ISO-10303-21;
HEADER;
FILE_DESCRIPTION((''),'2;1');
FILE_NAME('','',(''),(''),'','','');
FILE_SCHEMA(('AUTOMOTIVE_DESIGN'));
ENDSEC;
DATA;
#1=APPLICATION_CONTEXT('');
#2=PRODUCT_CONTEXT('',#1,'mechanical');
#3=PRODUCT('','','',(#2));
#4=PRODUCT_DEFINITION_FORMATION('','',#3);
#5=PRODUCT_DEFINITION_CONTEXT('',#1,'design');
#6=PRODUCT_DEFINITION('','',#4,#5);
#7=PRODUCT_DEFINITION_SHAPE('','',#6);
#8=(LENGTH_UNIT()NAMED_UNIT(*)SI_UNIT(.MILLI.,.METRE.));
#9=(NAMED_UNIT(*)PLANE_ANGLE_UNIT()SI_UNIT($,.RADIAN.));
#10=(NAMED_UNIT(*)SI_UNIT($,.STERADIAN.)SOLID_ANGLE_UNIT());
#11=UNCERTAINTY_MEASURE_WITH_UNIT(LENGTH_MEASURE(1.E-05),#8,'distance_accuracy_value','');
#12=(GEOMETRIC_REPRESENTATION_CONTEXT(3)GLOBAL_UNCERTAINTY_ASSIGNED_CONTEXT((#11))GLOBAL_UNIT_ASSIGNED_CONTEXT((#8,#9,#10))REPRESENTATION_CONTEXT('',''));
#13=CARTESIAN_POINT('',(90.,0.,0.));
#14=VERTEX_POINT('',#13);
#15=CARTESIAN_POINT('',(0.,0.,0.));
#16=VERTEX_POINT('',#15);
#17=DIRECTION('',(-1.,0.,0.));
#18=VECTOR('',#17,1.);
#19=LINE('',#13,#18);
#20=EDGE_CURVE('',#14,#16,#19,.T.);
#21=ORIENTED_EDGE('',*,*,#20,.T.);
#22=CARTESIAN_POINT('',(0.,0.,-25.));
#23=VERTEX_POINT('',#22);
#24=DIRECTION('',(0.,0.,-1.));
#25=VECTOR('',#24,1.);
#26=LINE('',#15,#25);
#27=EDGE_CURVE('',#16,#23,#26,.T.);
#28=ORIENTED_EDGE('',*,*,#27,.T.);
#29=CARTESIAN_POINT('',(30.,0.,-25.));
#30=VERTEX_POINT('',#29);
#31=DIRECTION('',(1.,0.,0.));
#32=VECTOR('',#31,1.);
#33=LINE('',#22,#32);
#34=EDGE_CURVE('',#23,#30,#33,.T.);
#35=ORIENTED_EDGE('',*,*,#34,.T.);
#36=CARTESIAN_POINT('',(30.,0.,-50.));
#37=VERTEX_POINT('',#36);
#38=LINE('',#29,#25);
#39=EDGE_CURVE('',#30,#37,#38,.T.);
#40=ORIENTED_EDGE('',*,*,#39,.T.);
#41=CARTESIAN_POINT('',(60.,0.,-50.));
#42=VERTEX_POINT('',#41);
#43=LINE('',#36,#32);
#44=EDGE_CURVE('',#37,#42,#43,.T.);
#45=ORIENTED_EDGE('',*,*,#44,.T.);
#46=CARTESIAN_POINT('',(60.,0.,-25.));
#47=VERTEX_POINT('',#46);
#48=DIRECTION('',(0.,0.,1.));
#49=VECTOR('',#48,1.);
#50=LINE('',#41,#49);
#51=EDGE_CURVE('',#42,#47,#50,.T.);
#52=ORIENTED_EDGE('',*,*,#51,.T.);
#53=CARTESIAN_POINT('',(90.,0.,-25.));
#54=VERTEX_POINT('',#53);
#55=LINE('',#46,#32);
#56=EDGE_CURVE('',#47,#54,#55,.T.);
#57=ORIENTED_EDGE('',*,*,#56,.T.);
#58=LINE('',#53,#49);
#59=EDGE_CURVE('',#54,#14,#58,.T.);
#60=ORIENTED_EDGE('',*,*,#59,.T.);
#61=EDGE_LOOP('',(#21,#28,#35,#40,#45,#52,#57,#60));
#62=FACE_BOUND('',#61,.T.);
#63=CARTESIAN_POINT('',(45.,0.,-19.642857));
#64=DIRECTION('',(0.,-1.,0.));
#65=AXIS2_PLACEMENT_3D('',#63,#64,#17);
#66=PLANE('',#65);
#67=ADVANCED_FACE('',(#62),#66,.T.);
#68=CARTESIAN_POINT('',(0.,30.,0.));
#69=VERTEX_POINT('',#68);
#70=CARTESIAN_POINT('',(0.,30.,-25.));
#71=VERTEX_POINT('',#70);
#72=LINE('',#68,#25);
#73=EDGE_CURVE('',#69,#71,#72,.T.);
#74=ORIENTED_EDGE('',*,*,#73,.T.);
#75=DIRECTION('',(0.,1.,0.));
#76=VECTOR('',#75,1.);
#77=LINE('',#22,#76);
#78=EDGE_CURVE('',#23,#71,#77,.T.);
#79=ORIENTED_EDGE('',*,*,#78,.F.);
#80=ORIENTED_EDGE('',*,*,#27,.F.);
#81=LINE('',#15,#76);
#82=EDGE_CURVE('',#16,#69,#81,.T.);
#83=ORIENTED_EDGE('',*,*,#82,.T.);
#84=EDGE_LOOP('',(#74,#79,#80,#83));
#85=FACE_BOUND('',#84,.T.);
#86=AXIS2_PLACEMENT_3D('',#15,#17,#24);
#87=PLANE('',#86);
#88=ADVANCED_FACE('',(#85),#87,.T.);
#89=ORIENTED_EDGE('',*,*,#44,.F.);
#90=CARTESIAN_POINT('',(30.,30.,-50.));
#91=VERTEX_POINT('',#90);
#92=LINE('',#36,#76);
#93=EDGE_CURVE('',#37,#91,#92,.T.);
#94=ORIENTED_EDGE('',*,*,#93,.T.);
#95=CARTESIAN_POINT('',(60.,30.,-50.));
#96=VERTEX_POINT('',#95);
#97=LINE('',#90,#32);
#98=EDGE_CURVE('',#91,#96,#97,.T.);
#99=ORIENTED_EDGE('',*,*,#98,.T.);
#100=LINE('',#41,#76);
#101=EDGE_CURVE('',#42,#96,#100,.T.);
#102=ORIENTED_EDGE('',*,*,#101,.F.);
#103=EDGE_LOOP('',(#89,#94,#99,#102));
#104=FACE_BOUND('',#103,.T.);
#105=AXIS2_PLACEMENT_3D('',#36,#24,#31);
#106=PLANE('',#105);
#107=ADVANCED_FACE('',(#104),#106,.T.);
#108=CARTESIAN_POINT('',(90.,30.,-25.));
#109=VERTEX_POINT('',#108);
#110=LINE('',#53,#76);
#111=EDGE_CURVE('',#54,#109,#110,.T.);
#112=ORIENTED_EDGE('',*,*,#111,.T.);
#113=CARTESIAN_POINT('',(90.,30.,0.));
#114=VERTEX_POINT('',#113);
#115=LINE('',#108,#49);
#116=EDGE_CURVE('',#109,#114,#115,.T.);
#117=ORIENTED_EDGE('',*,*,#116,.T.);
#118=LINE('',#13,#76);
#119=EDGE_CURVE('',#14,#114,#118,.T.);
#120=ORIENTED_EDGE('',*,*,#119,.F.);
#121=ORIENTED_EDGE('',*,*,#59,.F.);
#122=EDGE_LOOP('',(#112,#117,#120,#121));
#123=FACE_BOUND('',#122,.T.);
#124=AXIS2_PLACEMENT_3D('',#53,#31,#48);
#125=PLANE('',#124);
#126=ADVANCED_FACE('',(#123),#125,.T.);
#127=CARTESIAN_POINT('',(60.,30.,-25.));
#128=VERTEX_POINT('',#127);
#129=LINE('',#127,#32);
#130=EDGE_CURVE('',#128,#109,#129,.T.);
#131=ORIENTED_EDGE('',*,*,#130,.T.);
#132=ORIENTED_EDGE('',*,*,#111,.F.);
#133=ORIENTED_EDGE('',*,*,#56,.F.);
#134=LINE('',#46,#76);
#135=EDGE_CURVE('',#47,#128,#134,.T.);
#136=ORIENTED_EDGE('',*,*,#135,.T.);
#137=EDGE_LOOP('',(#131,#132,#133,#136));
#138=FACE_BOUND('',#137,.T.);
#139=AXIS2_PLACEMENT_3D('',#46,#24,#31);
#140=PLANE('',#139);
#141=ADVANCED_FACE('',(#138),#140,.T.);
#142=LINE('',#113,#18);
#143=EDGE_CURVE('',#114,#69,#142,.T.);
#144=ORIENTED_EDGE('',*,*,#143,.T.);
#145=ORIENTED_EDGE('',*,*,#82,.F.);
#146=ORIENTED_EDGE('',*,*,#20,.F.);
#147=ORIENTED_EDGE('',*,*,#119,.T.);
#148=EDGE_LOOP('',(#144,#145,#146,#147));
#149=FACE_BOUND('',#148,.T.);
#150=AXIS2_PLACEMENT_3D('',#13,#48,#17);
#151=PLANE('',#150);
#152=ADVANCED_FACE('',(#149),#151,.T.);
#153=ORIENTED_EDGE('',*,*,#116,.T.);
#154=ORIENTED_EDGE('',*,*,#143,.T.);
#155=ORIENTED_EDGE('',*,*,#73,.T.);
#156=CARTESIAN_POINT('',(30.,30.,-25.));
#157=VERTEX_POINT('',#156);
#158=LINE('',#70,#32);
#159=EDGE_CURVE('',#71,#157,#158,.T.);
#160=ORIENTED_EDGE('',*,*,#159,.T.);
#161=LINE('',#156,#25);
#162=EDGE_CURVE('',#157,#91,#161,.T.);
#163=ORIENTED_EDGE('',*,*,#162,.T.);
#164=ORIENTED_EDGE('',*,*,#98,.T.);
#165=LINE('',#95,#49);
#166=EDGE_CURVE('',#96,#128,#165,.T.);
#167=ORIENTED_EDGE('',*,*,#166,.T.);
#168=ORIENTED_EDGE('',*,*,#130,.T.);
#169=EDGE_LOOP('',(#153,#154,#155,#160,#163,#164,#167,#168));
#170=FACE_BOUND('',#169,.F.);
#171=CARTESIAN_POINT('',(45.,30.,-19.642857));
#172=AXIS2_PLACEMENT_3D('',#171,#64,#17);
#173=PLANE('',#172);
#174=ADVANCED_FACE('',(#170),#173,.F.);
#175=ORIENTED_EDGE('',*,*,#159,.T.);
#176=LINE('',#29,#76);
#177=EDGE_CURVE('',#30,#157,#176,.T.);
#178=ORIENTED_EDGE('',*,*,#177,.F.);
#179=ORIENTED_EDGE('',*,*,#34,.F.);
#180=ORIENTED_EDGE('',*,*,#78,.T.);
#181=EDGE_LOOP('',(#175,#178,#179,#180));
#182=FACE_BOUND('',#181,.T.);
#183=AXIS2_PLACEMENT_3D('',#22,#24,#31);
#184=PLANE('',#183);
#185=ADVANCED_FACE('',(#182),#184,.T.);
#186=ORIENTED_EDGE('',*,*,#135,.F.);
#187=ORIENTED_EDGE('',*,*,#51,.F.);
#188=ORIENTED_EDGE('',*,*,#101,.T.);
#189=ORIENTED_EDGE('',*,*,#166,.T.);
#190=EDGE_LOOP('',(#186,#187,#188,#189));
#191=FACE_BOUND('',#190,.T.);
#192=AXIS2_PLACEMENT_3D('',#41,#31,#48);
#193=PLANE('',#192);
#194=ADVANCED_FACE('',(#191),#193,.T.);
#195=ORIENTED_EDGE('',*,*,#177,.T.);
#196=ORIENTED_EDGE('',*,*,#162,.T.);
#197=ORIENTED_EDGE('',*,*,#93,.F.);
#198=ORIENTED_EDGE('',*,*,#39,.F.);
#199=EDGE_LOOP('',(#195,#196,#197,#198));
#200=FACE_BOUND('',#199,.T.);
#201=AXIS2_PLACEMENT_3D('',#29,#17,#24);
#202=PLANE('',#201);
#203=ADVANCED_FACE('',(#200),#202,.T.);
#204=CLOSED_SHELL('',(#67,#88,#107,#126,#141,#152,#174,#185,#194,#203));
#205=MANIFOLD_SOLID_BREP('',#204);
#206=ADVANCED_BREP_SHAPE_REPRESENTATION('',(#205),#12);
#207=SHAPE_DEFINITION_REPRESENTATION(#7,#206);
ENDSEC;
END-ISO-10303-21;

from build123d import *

# Parameters (mm, degrees)
BOSS_EXTRUDE1_DEPTH = 30


with BuildPart() as part:
    # Sketch1 → Boss-Extrude1 (new body)
    with BuildSketch(Plane(origin=(0, 0, 0), x_dir=(1, 0, 0), z_dir=(0, 1, 0))):
        Polygon((0, 0), (0, 25), (30, 25), (30, 50), (60, 50), (60, 25), (90, 25), (90, 0), align=None)
    extrude(amount=BOSS_EXTRUDE1_DEPTH)


solid = part.part
